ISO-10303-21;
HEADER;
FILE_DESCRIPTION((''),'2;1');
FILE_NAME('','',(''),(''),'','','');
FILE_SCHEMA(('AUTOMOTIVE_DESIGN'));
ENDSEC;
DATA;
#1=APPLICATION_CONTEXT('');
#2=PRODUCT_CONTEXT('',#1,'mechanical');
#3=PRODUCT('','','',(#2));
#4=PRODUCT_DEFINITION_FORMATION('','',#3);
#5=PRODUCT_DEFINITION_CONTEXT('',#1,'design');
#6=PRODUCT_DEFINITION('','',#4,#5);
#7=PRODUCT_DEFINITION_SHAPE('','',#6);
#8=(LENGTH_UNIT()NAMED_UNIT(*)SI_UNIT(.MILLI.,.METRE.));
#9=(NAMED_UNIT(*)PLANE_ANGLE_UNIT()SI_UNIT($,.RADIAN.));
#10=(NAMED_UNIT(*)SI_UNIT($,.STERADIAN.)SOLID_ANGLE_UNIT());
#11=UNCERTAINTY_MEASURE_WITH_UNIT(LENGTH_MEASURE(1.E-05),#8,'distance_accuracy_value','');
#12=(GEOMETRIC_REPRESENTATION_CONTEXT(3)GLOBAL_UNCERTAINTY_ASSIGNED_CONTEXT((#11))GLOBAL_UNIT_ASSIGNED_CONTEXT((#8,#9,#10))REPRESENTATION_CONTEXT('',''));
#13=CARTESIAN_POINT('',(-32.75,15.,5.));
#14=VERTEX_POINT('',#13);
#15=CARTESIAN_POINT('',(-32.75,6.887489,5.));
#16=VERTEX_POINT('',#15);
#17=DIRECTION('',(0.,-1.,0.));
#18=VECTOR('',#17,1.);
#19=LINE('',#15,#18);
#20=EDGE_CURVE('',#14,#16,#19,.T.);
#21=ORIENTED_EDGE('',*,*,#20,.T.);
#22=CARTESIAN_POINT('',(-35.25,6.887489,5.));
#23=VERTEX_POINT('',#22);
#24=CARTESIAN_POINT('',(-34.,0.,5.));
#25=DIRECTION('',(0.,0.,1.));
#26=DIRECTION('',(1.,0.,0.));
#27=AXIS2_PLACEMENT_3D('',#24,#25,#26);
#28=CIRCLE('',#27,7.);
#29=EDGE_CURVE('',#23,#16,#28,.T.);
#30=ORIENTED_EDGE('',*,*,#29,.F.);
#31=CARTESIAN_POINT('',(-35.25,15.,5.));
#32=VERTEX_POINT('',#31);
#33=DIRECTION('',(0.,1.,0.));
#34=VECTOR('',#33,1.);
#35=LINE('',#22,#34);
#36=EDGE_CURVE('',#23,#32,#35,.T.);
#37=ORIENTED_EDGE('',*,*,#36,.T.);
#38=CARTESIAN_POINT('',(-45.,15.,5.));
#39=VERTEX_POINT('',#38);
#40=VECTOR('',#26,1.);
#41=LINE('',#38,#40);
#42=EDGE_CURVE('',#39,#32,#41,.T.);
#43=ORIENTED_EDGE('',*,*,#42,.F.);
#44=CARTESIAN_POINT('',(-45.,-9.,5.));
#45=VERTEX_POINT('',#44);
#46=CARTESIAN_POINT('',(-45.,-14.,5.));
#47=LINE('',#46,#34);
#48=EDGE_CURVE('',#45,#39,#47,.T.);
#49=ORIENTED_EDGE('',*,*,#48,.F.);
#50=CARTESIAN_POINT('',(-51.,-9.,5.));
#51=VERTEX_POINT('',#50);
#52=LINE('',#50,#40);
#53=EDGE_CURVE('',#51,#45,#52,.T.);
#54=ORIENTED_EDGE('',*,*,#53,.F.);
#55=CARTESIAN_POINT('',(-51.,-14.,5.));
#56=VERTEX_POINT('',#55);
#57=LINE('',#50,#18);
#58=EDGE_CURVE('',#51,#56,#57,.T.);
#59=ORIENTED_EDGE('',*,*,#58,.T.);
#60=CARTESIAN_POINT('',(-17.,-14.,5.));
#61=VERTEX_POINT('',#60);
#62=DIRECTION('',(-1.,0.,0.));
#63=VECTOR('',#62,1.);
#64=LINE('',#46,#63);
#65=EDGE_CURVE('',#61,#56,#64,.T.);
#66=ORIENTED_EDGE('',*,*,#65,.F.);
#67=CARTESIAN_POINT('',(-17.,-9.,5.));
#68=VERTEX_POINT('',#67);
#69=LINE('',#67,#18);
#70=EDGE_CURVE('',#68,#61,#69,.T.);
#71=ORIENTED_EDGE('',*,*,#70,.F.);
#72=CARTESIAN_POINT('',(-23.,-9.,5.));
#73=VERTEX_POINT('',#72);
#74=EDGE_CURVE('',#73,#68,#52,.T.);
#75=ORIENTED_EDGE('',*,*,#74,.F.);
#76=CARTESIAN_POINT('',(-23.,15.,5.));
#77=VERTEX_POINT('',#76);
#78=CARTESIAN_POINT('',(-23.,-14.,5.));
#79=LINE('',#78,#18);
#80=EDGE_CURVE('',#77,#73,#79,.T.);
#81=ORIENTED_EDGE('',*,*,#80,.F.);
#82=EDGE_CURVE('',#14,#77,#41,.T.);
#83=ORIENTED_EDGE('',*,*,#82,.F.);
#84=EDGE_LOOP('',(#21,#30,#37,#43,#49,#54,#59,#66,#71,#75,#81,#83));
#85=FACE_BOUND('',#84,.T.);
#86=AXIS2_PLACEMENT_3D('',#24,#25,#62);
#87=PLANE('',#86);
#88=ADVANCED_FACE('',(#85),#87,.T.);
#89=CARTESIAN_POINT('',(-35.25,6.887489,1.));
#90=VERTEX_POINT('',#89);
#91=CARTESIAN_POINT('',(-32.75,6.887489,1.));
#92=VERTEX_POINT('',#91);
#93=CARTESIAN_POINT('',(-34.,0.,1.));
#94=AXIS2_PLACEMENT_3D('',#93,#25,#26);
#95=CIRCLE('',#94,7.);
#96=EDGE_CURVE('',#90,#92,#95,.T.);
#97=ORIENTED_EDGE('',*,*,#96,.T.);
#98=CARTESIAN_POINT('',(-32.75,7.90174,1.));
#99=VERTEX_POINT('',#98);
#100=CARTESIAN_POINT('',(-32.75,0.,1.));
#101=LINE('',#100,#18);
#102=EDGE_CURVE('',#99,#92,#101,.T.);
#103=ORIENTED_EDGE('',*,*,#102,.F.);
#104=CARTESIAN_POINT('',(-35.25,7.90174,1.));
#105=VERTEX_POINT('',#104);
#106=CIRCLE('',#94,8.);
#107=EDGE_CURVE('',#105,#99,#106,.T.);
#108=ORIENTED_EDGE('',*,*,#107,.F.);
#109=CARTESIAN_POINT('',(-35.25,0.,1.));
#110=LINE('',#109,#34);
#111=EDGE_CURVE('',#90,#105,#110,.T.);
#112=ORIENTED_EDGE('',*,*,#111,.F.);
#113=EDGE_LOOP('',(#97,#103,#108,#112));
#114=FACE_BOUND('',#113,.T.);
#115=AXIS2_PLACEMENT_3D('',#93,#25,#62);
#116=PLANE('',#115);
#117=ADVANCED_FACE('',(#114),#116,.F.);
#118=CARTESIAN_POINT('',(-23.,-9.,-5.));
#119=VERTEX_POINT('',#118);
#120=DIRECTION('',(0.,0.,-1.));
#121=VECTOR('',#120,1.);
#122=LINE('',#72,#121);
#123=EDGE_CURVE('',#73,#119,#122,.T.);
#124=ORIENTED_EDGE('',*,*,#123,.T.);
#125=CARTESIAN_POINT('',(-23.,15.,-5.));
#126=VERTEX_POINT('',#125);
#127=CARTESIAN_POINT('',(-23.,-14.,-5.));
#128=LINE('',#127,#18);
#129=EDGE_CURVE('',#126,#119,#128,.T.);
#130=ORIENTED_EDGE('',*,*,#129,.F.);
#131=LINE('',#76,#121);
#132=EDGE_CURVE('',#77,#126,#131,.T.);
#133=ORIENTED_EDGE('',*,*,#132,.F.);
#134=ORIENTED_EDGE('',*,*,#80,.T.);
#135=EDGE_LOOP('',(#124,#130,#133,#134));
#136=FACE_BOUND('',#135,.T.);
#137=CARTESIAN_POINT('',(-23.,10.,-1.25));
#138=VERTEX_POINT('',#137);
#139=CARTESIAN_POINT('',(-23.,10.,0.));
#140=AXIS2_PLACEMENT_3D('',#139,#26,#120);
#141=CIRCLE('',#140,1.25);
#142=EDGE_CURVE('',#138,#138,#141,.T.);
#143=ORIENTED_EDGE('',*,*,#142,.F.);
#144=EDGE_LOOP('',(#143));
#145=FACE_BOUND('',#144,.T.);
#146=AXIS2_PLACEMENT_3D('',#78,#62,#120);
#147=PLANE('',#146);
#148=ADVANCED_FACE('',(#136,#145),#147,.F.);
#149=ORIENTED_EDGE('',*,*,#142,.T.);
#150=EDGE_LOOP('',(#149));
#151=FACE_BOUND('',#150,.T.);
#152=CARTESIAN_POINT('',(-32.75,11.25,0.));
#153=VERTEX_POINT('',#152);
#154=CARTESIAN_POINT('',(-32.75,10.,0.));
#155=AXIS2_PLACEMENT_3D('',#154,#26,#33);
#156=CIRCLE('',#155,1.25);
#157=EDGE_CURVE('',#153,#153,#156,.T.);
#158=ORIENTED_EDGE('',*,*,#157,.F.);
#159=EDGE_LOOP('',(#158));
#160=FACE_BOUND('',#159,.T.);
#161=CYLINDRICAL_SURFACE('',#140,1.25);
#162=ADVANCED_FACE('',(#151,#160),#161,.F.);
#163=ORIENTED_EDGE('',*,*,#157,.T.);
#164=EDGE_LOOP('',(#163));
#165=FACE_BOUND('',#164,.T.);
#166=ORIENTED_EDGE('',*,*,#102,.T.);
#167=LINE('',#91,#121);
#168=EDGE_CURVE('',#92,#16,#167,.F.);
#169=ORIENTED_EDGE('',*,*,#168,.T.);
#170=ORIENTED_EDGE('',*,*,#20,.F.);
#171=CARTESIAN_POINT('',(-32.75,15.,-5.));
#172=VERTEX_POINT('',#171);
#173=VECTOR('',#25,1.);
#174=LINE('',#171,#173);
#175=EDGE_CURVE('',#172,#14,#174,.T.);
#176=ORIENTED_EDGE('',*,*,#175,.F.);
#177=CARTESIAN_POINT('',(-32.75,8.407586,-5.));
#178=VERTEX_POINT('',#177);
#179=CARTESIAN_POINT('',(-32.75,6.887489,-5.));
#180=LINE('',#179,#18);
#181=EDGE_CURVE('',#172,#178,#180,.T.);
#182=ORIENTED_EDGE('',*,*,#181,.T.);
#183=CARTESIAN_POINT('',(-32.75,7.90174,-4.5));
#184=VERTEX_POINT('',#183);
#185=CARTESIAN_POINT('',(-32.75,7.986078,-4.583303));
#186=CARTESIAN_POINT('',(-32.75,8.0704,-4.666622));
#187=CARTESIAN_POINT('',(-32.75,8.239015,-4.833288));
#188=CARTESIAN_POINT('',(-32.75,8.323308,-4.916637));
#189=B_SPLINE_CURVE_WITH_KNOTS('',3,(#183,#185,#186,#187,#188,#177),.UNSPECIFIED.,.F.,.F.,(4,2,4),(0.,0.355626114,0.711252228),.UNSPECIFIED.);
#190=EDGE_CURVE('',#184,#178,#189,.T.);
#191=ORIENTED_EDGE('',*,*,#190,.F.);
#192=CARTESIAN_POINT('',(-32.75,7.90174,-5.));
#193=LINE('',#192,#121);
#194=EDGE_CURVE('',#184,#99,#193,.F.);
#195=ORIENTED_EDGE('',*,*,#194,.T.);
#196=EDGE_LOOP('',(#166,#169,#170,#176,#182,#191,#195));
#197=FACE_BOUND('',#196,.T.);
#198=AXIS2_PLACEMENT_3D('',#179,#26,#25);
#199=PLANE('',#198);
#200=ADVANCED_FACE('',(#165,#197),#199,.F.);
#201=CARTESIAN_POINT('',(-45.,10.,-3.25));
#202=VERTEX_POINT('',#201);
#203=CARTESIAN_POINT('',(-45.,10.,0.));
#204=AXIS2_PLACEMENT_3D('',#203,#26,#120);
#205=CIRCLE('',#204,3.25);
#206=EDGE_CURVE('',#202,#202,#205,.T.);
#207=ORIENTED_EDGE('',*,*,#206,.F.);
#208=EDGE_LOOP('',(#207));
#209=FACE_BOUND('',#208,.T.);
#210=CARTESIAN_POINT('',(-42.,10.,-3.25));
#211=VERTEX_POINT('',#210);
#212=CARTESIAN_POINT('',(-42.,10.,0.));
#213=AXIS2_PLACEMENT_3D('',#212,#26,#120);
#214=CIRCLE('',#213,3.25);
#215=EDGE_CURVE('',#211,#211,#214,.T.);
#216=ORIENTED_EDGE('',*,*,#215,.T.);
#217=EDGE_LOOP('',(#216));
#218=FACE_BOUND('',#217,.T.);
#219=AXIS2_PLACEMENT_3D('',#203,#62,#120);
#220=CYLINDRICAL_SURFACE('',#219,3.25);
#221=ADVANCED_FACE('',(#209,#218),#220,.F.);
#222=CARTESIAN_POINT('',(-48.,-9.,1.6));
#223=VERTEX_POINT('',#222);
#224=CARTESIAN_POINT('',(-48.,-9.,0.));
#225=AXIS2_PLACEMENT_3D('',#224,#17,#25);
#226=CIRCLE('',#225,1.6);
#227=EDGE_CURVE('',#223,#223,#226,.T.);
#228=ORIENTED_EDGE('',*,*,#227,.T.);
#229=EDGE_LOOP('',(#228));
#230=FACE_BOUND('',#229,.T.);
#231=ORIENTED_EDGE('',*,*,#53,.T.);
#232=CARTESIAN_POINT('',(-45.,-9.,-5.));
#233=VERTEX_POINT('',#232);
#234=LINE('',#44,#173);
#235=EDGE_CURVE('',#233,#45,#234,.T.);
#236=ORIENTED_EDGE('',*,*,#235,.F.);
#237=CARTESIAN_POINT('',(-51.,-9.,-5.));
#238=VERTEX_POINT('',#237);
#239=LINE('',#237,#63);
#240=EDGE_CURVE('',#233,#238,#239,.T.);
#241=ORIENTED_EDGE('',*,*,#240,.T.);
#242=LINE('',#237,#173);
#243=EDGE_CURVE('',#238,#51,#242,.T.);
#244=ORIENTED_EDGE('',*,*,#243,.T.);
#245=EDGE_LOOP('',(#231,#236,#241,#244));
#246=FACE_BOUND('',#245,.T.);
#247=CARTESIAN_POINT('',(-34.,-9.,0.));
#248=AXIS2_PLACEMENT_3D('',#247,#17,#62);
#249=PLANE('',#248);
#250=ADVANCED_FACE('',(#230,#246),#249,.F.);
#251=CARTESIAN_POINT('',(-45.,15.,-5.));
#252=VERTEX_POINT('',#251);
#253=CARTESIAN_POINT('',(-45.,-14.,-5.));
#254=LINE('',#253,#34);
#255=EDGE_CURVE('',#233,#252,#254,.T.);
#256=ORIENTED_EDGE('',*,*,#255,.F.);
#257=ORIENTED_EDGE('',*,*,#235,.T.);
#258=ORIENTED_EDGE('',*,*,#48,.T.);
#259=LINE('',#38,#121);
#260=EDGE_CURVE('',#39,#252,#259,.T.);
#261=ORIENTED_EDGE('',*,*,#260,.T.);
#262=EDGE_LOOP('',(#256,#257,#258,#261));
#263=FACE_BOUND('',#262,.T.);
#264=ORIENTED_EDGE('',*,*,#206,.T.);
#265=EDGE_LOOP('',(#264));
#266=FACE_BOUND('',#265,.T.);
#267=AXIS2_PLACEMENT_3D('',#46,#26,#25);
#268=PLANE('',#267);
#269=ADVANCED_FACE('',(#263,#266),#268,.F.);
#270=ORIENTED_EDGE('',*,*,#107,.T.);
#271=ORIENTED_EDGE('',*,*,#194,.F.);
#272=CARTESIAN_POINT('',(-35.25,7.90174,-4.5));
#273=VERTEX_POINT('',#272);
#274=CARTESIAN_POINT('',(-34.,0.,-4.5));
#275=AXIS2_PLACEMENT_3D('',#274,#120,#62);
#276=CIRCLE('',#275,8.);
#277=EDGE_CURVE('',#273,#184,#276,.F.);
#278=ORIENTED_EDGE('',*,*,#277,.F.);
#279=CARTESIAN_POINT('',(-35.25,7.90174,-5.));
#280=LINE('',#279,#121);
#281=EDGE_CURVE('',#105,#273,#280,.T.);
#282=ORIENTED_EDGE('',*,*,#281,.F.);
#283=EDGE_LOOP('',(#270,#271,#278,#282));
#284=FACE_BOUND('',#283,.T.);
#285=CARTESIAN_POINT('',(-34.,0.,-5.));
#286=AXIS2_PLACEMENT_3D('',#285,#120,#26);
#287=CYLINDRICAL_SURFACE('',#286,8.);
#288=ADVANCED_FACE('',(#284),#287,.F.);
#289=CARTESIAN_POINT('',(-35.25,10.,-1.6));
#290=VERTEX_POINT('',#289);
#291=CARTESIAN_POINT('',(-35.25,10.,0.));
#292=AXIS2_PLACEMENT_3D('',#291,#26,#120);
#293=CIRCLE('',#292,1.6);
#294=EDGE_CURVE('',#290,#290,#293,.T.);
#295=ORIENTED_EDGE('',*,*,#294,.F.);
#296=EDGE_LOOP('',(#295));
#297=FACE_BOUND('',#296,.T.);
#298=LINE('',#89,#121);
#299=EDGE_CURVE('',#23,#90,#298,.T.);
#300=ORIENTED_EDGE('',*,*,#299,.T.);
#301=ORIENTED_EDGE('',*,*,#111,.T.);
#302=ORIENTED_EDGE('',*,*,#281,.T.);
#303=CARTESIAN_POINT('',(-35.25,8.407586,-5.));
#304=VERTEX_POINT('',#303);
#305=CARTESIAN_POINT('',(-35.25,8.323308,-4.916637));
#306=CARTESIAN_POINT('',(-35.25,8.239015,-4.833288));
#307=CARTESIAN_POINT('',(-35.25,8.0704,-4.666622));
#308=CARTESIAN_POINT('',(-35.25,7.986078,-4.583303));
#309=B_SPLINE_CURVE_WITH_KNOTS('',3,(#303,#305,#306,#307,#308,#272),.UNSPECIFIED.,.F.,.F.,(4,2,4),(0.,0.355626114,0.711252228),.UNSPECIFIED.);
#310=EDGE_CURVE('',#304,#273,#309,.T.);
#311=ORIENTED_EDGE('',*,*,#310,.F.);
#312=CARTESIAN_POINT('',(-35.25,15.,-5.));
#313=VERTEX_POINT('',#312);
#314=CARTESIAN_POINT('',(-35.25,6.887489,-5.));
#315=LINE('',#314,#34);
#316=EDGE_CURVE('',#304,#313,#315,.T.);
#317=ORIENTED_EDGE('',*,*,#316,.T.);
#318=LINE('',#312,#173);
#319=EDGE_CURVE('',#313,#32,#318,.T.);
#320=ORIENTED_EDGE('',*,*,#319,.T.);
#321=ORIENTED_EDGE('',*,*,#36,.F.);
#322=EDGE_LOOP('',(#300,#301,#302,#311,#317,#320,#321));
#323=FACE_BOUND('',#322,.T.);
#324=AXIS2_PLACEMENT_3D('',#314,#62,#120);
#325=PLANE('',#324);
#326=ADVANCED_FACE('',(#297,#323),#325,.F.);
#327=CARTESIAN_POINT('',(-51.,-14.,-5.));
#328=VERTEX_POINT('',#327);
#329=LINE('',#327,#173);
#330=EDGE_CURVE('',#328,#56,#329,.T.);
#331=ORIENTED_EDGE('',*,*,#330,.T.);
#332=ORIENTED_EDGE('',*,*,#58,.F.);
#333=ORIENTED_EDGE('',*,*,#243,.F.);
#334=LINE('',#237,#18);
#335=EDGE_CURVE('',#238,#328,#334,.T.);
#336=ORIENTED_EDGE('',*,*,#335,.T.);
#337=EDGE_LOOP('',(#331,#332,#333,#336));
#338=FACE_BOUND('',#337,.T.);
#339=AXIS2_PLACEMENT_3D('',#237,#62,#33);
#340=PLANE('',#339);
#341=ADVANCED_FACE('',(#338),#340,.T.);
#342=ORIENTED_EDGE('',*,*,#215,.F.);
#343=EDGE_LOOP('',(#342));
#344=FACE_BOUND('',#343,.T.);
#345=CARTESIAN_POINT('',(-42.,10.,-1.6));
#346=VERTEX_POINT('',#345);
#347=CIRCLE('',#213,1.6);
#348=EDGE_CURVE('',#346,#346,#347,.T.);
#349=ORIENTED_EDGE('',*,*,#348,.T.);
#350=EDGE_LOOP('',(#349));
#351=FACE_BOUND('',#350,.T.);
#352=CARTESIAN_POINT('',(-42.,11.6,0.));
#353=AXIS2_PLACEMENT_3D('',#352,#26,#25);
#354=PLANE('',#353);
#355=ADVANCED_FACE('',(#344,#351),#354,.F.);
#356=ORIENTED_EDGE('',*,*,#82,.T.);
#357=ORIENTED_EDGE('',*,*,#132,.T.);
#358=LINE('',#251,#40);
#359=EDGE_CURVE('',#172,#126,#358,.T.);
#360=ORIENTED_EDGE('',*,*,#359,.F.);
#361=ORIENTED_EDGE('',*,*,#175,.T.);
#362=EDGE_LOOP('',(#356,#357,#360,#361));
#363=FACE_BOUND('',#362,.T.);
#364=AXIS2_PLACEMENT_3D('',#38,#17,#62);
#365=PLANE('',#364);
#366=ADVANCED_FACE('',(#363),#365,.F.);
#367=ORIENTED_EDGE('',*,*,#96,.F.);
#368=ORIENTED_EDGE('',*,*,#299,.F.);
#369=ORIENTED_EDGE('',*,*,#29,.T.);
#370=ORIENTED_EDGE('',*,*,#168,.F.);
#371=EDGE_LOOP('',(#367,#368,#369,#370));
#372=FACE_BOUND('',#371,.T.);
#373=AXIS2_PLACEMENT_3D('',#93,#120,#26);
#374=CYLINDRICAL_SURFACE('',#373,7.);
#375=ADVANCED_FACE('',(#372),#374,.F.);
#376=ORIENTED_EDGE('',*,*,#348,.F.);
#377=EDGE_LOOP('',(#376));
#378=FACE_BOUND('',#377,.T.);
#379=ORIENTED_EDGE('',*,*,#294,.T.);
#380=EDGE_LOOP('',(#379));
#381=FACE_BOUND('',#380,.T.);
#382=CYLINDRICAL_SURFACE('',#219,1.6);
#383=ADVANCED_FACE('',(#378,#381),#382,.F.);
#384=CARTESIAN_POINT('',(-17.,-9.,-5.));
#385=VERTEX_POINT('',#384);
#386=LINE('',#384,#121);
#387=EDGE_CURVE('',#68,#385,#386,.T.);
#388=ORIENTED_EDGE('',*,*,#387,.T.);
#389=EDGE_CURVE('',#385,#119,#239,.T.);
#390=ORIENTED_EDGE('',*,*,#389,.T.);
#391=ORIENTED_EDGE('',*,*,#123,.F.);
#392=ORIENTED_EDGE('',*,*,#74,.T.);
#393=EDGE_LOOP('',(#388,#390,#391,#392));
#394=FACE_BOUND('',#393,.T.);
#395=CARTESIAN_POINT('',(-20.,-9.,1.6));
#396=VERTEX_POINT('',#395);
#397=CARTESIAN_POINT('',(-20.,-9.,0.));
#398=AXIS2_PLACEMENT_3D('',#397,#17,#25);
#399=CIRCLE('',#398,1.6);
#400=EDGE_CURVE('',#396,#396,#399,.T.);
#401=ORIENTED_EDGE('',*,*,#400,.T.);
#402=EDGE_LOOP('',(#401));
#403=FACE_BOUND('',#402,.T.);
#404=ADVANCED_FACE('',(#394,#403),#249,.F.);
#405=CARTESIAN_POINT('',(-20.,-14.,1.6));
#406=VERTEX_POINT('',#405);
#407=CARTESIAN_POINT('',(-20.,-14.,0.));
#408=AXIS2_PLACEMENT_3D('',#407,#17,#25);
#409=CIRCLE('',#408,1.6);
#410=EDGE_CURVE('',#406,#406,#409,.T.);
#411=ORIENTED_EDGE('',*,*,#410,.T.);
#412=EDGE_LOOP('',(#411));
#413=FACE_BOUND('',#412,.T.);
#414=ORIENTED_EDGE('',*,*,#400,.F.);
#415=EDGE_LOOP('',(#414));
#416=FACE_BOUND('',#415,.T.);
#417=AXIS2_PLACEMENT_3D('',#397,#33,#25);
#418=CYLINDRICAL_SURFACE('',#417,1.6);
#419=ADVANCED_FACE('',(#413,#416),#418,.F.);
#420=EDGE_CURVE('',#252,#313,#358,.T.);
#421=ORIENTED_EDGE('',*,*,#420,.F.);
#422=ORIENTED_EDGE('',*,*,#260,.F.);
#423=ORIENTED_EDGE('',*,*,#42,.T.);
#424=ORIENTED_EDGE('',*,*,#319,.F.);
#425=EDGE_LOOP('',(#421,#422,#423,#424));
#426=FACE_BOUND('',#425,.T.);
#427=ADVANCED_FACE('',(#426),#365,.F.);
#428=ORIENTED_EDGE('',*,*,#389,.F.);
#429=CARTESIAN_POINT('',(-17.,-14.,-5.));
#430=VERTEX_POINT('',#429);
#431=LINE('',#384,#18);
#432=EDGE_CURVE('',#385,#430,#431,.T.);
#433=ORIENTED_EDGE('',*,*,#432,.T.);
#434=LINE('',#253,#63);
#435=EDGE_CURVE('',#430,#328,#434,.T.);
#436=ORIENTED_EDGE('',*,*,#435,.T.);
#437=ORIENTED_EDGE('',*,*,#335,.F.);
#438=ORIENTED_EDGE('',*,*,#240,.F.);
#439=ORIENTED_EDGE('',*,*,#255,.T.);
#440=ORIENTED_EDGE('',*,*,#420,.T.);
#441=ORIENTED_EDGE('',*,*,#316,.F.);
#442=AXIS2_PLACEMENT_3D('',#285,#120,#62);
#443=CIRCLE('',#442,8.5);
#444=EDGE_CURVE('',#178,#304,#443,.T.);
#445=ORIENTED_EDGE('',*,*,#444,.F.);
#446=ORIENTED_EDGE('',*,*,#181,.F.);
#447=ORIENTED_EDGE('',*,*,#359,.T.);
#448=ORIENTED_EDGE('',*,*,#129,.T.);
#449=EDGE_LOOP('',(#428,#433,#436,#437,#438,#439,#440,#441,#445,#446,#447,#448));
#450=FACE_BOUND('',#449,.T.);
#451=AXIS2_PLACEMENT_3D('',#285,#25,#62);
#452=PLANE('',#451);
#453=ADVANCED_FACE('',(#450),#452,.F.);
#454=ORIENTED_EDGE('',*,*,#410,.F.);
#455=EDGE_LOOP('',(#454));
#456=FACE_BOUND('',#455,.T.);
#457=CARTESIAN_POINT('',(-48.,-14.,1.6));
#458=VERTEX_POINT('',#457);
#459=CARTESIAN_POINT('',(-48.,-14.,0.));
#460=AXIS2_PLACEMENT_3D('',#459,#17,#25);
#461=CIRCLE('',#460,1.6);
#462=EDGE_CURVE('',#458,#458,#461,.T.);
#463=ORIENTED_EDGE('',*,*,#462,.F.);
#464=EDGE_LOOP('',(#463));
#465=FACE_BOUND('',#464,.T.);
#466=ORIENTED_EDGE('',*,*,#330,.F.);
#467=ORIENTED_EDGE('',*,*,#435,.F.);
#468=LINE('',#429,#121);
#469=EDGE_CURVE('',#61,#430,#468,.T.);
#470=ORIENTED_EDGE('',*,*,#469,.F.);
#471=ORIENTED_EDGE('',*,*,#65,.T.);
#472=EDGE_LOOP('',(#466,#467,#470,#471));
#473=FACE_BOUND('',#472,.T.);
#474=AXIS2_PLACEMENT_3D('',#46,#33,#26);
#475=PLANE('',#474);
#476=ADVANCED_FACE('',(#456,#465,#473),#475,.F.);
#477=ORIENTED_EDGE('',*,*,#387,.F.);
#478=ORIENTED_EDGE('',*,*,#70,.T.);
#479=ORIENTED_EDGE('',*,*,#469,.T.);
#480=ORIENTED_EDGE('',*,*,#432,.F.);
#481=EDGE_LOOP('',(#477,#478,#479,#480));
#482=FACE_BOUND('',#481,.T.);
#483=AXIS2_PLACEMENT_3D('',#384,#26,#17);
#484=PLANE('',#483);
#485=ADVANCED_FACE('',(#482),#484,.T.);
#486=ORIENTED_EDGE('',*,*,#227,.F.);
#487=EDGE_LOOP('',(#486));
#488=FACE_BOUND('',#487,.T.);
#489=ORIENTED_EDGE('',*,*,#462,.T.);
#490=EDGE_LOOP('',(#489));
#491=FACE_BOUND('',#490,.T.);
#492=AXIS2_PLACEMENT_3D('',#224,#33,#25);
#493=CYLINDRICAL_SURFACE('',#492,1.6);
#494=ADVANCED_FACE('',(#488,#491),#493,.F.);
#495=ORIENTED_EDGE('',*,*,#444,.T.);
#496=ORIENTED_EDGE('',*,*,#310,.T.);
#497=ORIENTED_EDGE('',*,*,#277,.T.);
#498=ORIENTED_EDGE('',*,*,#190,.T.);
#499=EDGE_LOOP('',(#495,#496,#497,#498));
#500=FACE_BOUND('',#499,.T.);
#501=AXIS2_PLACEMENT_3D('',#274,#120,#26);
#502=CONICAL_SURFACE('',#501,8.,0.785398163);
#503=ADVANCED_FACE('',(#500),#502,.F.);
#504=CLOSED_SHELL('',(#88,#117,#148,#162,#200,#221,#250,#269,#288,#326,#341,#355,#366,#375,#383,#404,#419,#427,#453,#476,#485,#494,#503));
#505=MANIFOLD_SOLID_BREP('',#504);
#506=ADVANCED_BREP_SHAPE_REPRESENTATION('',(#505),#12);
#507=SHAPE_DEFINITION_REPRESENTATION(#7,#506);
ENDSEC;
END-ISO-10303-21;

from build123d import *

# Parameters (mm, degrees)
SKETCH1_W                      = 22
SKETCH1_H                      = 29
BOSS_EXTRUDE1_DEPTH            = 5
SKETCH3_W                      = 34
SKETCH3_H                      = 10
BOSS_EXTRUDE2_DEPTH            = 5
F_16_0_16_DIAMETER_HOLE1_D     = 16
F_16_0_16_DIAMETER_HOLE1_DEPTH = 6
F_14_0_14_DIAMETER_HOLE1_D     = 14
M3_CLEARANCE_HOLE1_D           = 3.2
SKETCH12_W                     = 2.5
SKETCH12_H                     = 8.112511343
CUT_EXTRUDE1_DEPTH             = 25.779023387
CBORE_FOR_M3_SHCS1_D           = 3.2
CBORE_FOR_M3_SHCS1_DEPTH       = 9.75
CBORE_FOR_M3_SHCS1_CBORE_D     = 6.5
CBORE_FOR_M3_SHCS1_CBORE_DEPTH = 3
CHAMFER1_SIZE                  = 0.5
M3X0_5_TAPPED_HOLE1_D          = 2.5


with BuildPart() as part:
    # Sketch1 → Boss-Extrude1 (new, symmetric)
    with BuildSketch(Plane.XY):
        with Locations((0, 0.5)):
            Rectangle(SKETCH1_W, SKETCH1_H)
    extrude(amount=BOSS_EXTRUDE1_DEPTH, both=True)

    # Sketch3 → Boss-Extrude2 (add)
    with BuildSketch(Plane.XZ.offset(14)):
        Rectangle(SKETCH3_W, SKETCH3_H)
    extrude(amount=-BOSS_EXTRUDE2_DEPTH)

    # Ø16.0 (16) Diameter Hole1
    with Locations(Plane(origin=(0, 0, -5), x_dir=(-1, 0, 0), z_dir=(0, 0, -1))):
        with Locations((0, 0)):
            Hole(F_16_0_16_DIAMETER_HOLE1_D / 2, depth=F_16_0_16_DIAMETER_HOLE1_DEPTH)

    # Ø14.0 (14) Diameter Hole1 (through all)
    with Locations(Plane(origin=(0, 0, 1), x_dir=(-1, 0, 0), z_dir=(0, 0, -1))):
        with Locations((0, 0)):
            Hole(F_14_0_14_DIAMETER_HOLE1_D / 2)

    # M3 Clearance Hole1 (through all)
    with Locations(Plane(origin=(0, -9, 0), x_dir=(1, 0, 0), z_dir=(0, 1, 0))):
        with Locations((-14, 0), (14, 0)):
            Hole(M3_CLEARANCE_HOLE1_D / 2)

    # Sketch12 → Cut-Extrude1 (cut, through all)
    with BuildSketch(Plane.XY.offset(5)):
        with Locations((0, 10.943744329)):
            Rectangle(SKETCH12_W, SKETCH12_H)
    extrude(amount=-CUT_EXTRUDE1_DEPTH, mode=Mode.SUBTRACT)

    # CBORE for M3 SHCS1
    with Locations(Plane(origin=(11, 0, 0), x_dir=(0, 0, -1), z_dir=(1, 0, 0))):
        with Locations((0, 10)):
            CounterBoreHole(CBORE_FOR_M3_SHCS1_D / 2, CBORE_FOR_M3_SHCS1_CBORE_D / 2, CBORE_FOR_M3_SHCS1_CBORE_DEPTH, depth=CBORE_FOR_M3_SHCS1_DEPTH)

    # Chamfer1
    chamfer1_edges = [part.edges().sort_by_distance(p)[0] for p in [
        (0, -8, -5),
    ]]
    chamfer(chamfer1_edges, length=CHAMFER1_SIZE)


with BuildPart() as body_2:
    # Mirror1: mirrored copy
    add(part.part.mirror(Plane(origin=(-17, -9, -5), x_dir=(0, 0, 1), z_dir=(-1, 0, 0))))

    # M3x0.5 Tapped Hole1 (through all)
    with Locations(Plane(origin=(-23, 0, 0), x_dir=(0, 0, -1), z_dir=(1, 0, 0))):
        with Locations((0, 10)):
            Hole(M3X0_5_TAPPED_HOLE1_D / 2)


solid = body_2.part
